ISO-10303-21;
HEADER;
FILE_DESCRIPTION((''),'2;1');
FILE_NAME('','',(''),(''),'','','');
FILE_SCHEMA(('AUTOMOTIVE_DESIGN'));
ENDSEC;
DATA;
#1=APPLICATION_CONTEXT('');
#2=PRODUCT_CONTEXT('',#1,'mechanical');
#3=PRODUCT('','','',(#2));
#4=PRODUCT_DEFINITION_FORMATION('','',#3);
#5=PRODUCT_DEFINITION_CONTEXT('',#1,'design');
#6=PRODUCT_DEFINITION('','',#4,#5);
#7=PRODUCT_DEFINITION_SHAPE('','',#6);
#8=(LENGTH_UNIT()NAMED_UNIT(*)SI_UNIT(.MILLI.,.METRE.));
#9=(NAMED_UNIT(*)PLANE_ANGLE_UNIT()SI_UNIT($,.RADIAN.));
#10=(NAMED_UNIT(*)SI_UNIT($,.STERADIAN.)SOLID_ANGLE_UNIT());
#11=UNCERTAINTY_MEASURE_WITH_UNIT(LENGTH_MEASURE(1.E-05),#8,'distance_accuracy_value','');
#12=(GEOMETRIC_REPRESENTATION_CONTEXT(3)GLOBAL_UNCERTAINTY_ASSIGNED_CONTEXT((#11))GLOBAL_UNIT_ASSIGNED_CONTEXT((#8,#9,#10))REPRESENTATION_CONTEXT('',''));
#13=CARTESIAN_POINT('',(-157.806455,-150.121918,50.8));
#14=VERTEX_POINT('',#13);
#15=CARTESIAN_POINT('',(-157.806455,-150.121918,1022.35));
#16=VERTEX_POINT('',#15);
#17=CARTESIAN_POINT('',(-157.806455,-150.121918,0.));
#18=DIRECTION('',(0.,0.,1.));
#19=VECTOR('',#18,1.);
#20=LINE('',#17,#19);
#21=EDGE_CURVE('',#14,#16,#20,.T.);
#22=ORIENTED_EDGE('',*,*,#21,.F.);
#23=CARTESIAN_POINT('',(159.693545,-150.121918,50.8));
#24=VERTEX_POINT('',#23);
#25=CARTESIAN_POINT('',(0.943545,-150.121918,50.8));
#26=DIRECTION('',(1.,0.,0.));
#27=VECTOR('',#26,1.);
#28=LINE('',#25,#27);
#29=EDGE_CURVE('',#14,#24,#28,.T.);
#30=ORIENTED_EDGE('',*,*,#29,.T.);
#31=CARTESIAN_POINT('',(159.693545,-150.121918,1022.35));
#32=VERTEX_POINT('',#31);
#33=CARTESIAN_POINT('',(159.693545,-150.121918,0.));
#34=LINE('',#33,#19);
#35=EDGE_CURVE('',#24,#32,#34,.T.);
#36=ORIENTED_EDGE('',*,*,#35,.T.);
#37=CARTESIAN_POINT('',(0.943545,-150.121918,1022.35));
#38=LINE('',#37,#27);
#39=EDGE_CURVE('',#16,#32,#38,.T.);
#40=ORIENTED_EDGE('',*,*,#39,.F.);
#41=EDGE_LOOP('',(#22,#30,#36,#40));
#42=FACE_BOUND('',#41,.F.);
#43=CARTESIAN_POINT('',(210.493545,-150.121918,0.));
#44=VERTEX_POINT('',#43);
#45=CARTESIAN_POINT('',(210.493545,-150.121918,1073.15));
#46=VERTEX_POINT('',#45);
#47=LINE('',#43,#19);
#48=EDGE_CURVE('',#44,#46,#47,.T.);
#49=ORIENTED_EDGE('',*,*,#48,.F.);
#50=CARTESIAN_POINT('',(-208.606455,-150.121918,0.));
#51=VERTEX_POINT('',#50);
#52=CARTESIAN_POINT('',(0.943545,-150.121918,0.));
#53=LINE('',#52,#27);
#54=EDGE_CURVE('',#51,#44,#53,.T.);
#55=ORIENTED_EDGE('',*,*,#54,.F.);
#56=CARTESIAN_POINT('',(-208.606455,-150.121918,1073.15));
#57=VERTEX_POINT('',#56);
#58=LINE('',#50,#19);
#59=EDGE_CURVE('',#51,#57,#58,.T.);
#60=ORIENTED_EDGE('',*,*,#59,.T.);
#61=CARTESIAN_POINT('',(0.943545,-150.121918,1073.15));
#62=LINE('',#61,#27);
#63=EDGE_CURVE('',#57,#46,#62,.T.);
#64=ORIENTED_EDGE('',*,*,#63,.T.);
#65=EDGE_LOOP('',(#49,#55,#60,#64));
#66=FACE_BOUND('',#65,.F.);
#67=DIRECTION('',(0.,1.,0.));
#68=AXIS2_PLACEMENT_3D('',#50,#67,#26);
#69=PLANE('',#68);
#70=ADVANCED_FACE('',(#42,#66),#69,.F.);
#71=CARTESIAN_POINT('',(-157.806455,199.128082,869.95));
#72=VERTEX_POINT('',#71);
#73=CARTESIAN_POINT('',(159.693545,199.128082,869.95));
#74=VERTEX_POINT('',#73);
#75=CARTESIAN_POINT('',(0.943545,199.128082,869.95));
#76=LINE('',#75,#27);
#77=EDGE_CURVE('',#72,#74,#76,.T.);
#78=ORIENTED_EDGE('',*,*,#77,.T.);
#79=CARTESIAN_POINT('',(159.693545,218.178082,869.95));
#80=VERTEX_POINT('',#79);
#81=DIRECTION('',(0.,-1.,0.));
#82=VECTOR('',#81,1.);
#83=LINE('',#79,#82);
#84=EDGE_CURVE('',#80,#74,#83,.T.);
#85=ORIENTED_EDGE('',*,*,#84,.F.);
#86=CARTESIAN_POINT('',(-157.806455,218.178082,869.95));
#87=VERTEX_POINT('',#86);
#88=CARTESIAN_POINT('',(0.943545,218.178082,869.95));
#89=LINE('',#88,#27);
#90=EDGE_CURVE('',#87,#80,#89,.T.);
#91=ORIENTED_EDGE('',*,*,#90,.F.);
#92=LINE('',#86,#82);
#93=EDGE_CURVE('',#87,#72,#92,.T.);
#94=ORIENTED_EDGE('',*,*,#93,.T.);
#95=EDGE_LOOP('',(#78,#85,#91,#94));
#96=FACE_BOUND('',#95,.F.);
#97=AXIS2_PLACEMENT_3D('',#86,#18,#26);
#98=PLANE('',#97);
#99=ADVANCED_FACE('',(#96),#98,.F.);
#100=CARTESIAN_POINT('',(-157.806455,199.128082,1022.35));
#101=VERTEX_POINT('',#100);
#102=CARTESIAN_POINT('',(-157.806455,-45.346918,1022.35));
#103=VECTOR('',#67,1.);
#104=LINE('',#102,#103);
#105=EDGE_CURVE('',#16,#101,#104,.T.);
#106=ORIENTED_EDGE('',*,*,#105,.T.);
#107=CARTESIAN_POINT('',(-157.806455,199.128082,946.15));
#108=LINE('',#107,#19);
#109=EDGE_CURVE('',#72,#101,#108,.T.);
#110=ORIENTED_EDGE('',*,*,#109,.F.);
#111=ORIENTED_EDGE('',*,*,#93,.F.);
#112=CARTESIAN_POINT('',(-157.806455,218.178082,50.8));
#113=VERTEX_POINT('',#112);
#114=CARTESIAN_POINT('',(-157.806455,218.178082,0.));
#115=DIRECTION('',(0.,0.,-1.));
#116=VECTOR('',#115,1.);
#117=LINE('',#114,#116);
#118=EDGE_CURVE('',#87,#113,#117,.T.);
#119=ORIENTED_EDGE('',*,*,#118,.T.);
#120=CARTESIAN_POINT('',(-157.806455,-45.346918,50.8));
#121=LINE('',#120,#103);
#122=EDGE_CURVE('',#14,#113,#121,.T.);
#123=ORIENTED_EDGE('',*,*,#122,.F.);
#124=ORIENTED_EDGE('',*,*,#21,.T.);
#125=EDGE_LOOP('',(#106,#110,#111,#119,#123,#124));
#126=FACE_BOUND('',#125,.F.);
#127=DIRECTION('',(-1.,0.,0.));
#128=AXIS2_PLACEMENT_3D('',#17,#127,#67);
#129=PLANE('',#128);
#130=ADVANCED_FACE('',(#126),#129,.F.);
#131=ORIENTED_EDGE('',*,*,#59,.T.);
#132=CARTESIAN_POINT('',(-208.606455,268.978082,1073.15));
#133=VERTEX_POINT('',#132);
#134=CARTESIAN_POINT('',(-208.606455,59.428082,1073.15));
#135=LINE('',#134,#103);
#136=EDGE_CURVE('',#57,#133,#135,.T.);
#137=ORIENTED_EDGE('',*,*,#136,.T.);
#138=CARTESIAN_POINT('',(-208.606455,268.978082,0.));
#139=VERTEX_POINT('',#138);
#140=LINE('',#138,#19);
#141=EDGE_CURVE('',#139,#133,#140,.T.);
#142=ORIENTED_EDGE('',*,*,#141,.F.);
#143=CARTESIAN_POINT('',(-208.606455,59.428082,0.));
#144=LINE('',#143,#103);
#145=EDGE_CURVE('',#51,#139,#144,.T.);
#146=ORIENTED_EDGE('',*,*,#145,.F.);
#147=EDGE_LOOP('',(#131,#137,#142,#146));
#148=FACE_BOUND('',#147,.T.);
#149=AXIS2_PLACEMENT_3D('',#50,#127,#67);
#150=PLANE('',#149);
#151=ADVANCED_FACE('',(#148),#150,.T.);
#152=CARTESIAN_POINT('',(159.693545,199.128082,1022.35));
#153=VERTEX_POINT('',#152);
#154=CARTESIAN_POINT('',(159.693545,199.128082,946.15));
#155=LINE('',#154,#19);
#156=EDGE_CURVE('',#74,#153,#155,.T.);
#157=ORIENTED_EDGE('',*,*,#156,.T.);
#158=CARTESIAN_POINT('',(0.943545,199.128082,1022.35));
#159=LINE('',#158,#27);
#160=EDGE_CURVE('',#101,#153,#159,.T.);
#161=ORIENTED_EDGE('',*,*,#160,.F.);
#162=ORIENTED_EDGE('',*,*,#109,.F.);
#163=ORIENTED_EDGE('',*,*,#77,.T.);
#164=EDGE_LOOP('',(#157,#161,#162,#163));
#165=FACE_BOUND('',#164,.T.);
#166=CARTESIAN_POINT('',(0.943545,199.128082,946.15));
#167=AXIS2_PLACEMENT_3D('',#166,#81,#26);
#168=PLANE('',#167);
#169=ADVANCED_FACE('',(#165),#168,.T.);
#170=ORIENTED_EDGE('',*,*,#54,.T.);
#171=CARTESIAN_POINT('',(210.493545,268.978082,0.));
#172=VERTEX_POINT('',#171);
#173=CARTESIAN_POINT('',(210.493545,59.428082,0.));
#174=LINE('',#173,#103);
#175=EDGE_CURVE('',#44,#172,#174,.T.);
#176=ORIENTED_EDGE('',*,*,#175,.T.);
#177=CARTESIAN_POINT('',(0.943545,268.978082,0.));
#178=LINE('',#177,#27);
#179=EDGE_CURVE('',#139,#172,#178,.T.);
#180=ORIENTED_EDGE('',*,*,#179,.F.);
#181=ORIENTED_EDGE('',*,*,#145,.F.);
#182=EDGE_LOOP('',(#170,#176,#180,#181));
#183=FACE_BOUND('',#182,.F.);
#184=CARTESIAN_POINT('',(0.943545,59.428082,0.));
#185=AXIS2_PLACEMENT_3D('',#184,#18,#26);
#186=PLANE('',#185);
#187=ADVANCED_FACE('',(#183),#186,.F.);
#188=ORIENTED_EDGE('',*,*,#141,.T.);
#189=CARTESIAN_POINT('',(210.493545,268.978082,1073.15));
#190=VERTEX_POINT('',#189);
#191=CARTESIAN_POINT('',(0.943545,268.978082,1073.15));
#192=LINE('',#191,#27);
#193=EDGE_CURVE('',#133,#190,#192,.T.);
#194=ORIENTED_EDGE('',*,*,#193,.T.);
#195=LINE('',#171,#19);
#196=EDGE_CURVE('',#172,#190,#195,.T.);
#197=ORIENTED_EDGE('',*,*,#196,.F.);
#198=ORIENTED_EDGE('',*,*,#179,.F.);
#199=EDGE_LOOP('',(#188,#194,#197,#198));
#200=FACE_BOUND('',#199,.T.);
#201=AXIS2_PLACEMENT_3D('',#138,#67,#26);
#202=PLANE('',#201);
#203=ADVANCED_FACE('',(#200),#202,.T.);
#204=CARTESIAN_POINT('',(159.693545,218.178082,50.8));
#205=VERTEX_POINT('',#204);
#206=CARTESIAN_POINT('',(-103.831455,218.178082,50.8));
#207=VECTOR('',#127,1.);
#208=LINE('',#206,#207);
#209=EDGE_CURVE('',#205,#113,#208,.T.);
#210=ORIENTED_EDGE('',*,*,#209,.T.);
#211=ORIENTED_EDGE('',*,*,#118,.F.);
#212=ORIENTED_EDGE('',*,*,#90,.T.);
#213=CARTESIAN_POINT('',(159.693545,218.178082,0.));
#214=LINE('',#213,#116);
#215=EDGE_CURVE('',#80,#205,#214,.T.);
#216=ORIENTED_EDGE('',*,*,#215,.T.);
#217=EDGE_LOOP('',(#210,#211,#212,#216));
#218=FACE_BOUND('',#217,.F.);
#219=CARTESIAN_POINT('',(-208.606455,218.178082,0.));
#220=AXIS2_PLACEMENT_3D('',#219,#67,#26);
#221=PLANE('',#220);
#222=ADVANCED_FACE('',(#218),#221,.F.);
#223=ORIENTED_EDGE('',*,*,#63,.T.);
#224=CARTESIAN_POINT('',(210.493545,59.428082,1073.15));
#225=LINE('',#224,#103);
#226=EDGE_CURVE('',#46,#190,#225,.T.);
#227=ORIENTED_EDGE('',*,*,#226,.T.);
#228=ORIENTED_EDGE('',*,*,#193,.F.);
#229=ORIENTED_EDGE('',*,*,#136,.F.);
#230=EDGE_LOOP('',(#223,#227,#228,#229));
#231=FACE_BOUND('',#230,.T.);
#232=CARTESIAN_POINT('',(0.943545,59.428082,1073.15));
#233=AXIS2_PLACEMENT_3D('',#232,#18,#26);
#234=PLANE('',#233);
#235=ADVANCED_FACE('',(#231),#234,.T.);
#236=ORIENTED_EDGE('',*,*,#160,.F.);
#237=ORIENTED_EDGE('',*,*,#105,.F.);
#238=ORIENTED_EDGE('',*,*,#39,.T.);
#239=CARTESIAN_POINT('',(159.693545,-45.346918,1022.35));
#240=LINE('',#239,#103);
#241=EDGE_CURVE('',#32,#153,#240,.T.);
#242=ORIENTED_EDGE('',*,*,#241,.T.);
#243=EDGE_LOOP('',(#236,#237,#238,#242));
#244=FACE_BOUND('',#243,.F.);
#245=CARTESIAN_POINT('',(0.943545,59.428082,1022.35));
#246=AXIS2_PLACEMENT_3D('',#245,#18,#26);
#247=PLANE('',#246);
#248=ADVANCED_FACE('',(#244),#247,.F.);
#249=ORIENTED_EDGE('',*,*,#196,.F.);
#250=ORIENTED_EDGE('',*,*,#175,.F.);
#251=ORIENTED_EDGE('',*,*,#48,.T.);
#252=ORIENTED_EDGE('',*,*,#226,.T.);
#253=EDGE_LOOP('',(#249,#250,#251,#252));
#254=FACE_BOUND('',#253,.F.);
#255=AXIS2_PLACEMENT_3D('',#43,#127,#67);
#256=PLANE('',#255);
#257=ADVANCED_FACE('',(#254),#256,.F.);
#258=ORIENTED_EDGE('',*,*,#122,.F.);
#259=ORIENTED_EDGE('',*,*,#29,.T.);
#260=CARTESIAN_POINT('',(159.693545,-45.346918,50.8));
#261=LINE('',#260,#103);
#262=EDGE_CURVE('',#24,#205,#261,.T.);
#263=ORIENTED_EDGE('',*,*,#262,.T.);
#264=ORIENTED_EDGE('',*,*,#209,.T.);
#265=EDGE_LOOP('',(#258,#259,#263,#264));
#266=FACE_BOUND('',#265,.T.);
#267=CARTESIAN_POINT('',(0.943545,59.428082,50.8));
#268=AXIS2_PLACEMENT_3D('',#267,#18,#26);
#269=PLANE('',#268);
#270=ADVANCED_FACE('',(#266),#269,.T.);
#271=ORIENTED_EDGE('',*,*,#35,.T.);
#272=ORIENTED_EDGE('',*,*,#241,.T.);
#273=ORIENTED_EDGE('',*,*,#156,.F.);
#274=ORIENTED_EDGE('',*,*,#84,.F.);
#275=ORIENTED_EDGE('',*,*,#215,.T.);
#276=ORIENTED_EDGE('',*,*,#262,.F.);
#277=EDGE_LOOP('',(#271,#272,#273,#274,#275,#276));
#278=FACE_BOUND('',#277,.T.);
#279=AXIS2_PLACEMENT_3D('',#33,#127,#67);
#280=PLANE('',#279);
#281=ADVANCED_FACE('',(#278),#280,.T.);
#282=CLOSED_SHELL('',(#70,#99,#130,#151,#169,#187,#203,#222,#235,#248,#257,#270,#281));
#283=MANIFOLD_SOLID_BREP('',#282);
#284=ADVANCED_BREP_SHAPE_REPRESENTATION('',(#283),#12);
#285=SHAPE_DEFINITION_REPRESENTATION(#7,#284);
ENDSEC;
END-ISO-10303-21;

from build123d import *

# Parameters (mm, degrees)
F0_W     = 419.1
F0_H     = 419.1
F1_DEPTH = 1073.15
F2_T     = -50.8
F3_W     = 317.5
F3_H     = 152.4
F4_DEPTH = 19.05


with BuildPart() as f1:
    # F0 (on Top) → F1 (new body)
    with BuildSketch(Plane.XY):
        with Locations((0.943545, 59.428082)):
            Rectangle(F0_W, F0_H)
    extrude(amount=F1_DEPTH)

    # F2
    f2_openings = [f1.faces().sort_by_distance(p)[0] for p in [
        (0.943545, -150.121918, 536.575),
    ]]
    offset(amount=F2_T, openings=f2_openings)

    # F3 (on face) → F4 (join)
    with BuildSketch(Plane.XZ.offset(-218.178082)):
        with Locations((0.943545, 946.15)):
            Rectangle(F3_W, F3_H)
    extrude(amount=F4_DEPTH)


solid = f1.part
